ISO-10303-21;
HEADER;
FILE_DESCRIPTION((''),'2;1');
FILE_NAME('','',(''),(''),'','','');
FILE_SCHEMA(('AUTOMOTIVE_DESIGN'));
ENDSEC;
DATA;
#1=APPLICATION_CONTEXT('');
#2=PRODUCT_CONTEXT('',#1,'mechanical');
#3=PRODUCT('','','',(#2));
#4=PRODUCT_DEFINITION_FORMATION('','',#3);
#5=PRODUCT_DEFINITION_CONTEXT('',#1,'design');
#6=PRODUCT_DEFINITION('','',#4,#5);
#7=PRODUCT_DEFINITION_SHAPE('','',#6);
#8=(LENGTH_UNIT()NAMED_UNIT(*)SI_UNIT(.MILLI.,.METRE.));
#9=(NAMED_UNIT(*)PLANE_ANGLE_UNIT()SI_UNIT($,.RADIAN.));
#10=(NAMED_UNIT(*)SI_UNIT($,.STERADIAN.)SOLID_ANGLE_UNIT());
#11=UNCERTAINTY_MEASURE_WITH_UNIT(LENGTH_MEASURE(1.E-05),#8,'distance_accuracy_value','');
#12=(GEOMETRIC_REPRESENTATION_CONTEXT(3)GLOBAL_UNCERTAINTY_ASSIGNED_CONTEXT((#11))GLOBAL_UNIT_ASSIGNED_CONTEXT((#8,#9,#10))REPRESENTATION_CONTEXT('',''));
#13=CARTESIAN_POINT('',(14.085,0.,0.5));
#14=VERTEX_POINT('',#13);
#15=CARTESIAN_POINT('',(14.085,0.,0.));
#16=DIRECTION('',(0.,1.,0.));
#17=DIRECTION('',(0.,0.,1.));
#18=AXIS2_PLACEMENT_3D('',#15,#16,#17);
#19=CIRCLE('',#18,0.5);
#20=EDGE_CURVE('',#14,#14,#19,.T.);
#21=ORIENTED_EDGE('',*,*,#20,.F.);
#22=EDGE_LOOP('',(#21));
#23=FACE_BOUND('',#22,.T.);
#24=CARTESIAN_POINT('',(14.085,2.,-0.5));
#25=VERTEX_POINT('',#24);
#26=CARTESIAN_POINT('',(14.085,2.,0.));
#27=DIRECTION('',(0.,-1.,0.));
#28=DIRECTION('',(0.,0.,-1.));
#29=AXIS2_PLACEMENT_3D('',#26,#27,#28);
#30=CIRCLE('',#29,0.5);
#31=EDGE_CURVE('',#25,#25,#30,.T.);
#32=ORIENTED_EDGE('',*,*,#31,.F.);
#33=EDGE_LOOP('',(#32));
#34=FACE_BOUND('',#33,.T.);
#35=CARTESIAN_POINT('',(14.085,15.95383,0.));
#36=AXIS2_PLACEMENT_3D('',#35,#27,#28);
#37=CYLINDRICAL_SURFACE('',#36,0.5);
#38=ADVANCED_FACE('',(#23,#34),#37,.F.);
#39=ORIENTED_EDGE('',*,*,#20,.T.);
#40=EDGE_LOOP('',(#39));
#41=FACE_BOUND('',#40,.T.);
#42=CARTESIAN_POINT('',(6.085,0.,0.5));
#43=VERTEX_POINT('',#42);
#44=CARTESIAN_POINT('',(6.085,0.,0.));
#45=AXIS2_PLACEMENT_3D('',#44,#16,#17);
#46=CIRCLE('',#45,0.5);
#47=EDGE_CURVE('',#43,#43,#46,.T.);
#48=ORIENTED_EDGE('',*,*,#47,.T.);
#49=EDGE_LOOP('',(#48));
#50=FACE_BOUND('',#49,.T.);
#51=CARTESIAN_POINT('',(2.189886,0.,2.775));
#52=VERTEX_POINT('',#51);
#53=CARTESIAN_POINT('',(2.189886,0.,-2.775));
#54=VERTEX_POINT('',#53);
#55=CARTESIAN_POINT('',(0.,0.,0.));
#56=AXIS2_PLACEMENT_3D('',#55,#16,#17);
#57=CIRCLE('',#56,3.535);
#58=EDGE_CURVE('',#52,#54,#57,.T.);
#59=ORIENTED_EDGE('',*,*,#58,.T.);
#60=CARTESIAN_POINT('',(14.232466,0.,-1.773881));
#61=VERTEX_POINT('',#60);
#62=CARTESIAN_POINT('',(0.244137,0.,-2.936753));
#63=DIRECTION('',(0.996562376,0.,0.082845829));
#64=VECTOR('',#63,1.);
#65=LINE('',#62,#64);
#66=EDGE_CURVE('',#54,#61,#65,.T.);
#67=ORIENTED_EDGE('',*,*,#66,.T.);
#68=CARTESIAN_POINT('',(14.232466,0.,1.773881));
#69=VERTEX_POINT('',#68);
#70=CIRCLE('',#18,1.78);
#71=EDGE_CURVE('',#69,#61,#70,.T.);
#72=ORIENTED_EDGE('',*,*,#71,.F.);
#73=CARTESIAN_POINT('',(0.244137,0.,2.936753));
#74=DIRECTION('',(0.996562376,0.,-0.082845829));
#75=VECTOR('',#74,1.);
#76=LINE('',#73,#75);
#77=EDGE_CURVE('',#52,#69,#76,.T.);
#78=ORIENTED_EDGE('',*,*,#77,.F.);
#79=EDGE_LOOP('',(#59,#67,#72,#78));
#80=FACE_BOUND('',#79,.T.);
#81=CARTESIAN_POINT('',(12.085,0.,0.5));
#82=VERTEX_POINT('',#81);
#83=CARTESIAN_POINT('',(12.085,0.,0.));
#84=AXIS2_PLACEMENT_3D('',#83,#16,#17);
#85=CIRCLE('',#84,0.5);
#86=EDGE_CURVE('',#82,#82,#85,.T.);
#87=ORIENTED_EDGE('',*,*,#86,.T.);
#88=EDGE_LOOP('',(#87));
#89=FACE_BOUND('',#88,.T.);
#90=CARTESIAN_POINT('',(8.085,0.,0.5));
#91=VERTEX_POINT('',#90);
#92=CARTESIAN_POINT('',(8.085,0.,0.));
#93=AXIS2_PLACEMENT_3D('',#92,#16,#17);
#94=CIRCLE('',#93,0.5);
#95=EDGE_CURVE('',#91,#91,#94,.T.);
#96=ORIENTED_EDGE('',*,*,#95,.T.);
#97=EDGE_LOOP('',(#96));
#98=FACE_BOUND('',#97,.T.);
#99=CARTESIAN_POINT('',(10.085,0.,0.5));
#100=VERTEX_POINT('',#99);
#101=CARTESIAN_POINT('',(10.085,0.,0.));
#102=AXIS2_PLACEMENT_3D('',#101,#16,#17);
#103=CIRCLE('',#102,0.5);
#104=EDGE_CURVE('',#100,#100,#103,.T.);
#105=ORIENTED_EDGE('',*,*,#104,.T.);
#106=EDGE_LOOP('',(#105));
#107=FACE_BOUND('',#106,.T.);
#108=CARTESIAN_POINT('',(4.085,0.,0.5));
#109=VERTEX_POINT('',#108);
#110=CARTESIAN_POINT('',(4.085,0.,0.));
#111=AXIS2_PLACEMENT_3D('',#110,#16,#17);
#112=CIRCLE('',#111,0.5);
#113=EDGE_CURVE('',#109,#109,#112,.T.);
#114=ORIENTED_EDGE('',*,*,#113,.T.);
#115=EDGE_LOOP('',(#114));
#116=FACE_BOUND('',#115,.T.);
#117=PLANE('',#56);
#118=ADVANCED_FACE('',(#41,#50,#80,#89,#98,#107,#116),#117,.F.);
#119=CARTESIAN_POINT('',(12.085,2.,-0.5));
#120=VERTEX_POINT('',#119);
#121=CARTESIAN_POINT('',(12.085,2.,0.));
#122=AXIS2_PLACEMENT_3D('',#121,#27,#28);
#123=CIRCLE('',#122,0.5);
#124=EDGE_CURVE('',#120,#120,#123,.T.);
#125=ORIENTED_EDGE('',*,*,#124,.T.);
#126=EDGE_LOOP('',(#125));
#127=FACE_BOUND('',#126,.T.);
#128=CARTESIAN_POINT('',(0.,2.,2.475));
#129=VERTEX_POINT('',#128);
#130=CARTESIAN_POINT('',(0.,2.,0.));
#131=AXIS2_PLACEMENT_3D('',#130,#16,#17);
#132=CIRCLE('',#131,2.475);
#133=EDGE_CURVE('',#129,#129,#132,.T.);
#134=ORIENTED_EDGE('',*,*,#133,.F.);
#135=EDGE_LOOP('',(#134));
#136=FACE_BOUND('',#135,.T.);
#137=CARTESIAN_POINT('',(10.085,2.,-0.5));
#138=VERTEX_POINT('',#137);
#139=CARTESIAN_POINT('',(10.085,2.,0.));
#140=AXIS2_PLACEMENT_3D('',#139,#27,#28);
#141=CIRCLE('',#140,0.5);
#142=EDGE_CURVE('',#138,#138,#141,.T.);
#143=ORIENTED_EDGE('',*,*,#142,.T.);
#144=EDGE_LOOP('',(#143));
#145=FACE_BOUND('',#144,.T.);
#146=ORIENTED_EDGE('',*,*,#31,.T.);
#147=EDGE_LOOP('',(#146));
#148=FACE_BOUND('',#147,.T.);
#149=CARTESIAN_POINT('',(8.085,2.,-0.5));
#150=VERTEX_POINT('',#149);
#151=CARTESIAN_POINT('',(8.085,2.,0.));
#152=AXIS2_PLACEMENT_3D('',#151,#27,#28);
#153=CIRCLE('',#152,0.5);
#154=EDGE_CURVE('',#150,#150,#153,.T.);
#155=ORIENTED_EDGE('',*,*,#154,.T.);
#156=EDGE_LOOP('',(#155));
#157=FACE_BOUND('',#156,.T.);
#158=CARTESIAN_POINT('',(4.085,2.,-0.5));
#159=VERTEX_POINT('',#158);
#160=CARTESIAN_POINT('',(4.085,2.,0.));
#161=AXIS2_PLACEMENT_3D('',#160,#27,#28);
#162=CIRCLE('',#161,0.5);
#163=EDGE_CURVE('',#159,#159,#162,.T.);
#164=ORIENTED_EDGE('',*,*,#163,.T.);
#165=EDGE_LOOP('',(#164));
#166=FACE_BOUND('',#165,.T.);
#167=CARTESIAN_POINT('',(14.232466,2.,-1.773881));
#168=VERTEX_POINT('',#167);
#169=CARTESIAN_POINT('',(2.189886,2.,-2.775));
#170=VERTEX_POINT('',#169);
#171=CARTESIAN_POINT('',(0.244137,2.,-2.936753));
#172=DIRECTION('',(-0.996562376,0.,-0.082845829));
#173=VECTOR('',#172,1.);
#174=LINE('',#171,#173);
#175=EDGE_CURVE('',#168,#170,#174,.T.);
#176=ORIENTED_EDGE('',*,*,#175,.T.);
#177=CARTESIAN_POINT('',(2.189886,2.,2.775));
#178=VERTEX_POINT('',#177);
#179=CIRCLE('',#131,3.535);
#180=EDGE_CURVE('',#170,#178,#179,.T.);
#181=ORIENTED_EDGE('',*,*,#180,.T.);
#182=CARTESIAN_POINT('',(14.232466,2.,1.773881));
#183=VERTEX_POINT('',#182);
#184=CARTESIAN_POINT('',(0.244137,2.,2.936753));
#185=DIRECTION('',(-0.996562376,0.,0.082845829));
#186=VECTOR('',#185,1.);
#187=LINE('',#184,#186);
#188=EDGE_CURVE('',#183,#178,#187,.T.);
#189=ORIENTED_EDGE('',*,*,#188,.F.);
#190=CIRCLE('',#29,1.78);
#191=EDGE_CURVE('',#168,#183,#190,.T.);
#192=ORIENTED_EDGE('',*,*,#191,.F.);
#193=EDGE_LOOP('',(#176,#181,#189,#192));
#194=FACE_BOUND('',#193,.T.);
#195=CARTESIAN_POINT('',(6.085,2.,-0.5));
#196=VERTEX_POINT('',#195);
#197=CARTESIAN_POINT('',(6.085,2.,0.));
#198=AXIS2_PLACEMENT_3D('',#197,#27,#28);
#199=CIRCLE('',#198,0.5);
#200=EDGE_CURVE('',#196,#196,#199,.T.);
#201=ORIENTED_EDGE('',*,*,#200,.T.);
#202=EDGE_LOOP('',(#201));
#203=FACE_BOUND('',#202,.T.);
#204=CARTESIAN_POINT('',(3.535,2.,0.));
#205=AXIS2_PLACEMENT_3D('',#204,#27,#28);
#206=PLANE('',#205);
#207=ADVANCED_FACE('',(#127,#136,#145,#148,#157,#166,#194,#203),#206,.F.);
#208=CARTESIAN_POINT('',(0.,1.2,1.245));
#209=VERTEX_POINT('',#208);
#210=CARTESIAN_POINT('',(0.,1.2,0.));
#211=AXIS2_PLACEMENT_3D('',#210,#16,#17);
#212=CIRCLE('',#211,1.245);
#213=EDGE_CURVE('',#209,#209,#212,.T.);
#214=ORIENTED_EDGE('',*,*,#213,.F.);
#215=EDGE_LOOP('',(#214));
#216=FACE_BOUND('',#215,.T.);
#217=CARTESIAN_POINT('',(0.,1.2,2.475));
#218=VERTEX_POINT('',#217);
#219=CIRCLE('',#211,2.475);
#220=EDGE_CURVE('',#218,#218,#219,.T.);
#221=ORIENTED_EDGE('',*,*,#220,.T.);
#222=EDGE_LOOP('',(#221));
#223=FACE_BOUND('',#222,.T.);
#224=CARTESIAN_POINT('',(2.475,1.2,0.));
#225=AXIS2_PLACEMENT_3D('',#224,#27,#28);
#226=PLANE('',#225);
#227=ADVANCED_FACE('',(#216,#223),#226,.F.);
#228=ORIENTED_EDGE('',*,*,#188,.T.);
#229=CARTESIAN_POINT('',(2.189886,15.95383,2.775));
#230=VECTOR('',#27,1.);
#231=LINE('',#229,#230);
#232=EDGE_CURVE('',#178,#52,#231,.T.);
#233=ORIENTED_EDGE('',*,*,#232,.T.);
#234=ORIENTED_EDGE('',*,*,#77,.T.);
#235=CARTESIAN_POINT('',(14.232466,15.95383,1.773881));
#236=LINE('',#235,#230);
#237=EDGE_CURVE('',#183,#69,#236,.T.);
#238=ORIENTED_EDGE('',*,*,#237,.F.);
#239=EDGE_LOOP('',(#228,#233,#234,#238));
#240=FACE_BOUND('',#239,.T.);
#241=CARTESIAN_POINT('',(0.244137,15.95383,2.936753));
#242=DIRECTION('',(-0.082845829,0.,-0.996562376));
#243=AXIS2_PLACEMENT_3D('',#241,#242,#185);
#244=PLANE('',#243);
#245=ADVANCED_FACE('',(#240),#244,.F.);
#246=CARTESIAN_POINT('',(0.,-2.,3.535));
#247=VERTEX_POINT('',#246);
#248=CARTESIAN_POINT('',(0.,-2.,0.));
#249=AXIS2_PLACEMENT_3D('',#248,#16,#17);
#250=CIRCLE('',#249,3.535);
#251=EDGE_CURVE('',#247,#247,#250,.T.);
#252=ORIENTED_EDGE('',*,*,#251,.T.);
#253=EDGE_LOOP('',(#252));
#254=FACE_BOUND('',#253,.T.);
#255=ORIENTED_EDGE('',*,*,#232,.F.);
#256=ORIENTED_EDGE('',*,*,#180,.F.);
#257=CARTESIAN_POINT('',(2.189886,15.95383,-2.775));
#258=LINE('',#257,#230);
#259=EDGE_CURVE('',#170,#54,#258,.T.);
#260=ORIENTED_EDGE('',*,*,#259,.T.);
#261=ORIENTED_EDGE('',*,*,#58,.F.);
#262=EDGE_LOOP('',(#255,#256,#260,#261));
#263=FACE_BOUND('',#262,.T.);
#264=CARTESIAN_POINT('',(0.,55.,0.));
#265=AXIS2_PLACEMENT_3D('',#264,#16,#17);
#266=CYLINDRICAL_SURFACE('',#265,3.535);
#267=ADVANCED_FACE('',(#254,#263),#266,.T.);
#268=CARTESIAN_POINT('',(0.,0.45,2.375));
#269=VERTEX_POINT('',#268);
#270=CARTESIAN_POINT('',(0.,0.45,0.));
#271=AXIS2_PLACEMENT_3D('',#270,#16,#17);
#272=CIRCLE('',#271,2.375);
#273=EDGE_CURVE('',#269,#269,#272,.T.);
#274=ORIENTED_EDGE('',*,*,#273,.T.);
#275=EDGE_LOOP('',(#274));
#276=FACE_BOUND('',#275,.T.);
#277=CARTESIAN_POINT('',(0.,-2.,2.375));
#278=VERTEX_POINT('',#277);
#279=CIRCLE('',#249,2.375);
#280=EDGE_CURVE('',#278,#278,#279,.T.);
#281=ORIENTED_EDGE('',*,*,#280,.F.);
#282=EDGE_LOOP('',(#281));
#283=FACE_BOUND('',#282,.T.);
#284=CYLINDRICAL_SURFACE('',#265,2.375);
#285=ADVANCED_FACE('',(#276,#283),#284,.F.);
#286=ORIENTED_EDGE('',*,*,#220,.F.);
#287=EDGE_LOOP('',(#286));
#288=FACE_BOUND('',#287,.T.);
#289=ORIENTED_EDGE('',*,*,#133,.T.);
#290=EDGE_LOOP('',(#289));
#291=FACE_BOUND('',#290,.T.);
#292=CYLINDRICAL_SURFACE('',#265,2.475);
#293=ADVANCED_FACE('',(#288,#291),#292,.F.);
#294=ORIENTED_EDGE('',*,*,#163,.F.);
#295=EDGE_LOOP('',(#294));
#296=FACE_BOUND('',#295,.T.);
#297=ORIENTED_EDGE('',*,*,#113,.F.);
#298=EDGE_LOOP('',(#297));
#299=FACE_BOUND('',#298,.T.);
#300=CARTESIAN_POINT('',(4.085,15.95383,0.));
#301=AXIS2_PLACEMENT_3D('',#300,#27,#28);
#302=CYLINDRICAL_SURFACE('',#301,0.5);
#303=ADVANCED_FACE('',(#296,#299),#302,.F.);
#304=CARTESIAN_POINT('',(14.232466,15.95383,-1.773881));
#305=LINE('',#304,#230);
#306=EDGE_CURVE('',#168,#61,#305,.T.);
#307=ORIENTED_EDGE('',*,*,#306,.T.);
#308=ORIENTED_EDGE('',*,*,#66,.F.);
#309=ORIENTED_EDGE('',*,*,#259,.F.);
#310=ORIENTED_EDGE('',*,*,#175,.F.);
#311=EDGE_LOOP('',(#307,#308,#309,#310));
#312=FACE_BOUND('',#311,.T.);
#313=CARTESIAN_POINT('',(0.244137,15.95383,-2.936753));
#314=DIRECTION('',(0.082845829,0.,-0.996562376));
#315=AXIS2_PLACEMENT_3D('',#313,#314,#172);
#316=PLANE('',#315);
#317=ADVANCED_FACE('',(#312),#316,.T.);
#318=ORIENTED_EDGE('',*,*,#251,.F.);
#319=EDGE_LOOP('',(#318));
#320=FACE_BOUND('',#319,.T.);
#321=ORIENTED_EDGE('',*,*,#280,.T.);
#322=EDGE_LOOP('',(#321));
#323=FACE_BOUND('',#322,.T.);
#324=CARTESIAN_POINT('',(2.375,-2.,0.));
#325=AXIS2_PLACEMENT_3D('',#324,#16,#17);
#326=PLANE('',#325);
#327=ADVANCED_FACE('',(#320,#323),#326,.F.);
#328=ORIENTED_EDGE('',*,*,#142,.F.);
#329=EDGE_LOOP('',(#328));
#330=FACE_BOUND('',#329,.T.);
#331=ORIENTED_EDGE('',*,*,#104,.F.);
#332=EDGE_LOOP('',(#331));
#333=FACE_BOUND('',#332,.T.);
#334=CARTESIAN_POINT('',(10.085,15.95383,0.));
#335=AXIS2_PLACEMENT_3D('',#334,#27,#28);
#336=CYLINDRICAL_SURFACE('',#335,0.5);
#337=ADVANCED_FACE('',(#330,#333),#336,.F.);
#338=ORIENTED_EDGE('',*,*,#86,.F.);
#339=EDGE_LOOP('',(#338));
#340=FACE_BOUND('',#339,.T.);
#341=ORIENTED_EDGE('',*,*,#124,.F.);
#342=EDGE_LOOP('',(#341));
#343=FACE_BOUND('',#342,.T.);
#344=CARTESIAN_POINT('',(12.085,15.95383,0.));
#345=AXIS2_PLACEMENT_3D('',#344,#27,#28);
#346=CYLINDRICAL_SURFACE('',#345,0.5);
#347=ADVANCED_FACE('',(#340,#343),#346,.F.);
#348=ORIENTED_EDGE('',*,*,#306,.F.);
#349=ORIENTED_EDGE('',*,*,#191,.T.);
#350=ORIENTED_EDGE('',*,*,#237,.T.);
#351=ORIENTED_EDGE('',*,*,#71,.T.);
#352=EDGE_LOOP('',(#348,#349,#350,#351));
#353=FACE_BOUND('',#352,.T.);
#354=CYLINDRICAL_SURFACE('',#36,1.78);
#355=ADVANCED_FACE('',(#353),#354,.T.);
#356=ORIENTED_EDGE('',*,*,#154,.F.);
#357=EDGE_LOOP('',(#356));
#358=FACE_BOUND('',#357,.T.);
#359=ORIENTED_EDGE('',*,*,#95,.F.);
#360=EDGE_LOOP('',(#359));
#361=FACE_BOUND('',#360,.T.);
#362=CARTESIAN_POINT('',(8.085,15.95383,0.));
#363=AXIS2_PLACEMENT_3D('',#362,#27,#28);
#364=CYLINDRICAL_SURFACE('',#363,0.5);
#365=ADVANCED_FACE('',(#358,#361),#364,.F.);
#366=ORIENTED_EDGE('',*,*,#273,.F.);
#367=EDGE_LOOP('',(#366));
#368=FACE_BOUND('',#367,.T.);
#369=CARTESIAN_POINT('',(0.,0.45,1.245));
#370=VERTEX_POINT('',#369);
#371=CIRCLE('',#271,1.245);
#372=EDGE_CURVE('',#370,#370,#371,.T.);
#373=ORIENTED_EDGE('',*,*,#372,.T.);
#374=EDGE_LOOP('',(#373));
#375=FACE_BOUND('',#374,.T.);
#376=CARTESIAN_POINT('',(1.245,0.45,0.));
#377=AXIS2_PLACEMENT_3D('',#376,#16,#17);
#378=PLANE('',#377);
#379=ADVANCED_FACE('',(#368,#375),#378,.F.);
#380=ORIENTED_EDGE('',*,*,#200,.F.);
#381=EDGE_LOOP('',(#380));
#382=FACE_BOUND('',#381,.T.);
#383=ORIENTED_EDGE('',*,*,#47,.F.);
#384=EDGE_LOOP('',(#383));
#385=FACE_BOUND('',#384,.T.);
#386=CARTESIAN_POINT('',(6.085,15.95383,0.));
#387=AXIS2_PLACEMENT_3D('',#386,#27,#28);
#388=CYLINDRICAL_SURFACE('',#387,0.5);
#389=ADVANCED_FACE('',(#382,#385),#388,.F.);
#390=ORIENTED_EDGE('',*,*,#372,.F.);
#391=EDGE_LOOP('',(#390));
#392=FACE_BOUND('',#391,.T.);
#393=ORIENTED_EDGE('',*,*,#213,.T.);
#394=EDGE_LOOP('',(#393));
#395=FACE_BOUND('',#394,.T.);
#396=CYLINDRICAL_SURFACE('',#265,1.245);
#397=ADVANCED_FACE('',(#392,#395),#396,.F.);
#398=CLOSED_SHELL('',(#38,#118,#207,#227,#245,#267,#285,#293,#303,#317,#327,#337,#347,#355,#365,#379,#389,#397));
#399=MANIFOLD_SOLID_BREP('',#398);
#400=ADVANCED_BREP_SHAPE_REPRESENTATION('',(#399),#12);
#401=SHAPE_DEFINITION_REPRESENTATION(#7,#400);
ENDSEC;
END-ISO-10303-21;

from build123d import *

# Parameters (mm, degrees)
BOSS_EXTRUDE1_DEPTH = 2


with BuildPart() as part:
    # Sketch2 → Revolve1 (revolve)
    with BuildSketch(Plane.XY):
        Polygon((2.475, 2), (2.475, 1.2), (1.245, 1.2), (1.245, 0.45), (2.375, 0.45), (2.375, -2), (3.535, -2), (3.535, 2), align=None)
    revolve(axis=Axis((0, 55, 0), (0, -1, 0)))

    # Sketch3 → Boss-Extrude1 (add)
    with BuildSketch(Plane(origin=(0, 0, 0), x_dir=(1, 0, 0), z_dir=(0, 1, 0))):
        with BuildLine():
            ThreePointArc((3.535, 0), (3.180996027, -1.541910917), (2.189885842, -2.775))
            Line((2.189885842, -2.775), (14.232465575, -1.773881029))
            ThreePointArc((14.232465575, -1.773881029), (13.044016702, -1.443867644), (12.3554, -0.420575606))
            ThreePointArc((12.3554, -0.420575606), (11.845417029, -0.438862165), (11.585, 0))
            Line((11.585, 0), (10.585, 0))
            ThreePointArc((10.585, 0), (10.085, -0.5), (9.585, 0))
            Line((9.585, 0), (8.585, 0))
            ThreePointArc((8.585, 0), (8.085, -0.5), (7.585, 0))
            Line((7.585, 0), (6.585, 0))
            ThreePointArc((6.585, 0), (6.085, -0.5), (5.585, 0))
            Line((5.585, 0), (4.585, 0))
            ThreePointArc((4.585, 0), (4.085, -0.5), (3.585, 0))
            Line((3.585, 0), (3.535, 0))
        make_face()
        with BuildLine():
            ThreePointArc((12.3554, -0.420575606), (13.044016702, -1.443867644), (14.232465575, -1.773881029))
            ThreePointArc((14.232465575, -1.773881029), (15.394749733, -1.205386095), (15.865, 0))
            Line((15.865, 0), (14.585, 0))
            ThreePointArc((14.585, 0), (14.085, -0.5), (13.585, 0))
            Line((13.585, 0), (12.585, 0))
            ThreePointArc((12.585, 0), (12.523862165, -0.239582971), (12.3554, -0.420575606))
        make_face()
    boss_extrude1 = extrude(amount=BOSS_EXTRUDE1_DEPTH)

    # Mirror1: Boss-Extrude1 across plane
    add(boss_extrude1.mirror(Plane(origin=(0, 15.95383002, 0), x_dir=(1, 0, 0), z_dir=(0, 0, -1))))


solid = part.part
